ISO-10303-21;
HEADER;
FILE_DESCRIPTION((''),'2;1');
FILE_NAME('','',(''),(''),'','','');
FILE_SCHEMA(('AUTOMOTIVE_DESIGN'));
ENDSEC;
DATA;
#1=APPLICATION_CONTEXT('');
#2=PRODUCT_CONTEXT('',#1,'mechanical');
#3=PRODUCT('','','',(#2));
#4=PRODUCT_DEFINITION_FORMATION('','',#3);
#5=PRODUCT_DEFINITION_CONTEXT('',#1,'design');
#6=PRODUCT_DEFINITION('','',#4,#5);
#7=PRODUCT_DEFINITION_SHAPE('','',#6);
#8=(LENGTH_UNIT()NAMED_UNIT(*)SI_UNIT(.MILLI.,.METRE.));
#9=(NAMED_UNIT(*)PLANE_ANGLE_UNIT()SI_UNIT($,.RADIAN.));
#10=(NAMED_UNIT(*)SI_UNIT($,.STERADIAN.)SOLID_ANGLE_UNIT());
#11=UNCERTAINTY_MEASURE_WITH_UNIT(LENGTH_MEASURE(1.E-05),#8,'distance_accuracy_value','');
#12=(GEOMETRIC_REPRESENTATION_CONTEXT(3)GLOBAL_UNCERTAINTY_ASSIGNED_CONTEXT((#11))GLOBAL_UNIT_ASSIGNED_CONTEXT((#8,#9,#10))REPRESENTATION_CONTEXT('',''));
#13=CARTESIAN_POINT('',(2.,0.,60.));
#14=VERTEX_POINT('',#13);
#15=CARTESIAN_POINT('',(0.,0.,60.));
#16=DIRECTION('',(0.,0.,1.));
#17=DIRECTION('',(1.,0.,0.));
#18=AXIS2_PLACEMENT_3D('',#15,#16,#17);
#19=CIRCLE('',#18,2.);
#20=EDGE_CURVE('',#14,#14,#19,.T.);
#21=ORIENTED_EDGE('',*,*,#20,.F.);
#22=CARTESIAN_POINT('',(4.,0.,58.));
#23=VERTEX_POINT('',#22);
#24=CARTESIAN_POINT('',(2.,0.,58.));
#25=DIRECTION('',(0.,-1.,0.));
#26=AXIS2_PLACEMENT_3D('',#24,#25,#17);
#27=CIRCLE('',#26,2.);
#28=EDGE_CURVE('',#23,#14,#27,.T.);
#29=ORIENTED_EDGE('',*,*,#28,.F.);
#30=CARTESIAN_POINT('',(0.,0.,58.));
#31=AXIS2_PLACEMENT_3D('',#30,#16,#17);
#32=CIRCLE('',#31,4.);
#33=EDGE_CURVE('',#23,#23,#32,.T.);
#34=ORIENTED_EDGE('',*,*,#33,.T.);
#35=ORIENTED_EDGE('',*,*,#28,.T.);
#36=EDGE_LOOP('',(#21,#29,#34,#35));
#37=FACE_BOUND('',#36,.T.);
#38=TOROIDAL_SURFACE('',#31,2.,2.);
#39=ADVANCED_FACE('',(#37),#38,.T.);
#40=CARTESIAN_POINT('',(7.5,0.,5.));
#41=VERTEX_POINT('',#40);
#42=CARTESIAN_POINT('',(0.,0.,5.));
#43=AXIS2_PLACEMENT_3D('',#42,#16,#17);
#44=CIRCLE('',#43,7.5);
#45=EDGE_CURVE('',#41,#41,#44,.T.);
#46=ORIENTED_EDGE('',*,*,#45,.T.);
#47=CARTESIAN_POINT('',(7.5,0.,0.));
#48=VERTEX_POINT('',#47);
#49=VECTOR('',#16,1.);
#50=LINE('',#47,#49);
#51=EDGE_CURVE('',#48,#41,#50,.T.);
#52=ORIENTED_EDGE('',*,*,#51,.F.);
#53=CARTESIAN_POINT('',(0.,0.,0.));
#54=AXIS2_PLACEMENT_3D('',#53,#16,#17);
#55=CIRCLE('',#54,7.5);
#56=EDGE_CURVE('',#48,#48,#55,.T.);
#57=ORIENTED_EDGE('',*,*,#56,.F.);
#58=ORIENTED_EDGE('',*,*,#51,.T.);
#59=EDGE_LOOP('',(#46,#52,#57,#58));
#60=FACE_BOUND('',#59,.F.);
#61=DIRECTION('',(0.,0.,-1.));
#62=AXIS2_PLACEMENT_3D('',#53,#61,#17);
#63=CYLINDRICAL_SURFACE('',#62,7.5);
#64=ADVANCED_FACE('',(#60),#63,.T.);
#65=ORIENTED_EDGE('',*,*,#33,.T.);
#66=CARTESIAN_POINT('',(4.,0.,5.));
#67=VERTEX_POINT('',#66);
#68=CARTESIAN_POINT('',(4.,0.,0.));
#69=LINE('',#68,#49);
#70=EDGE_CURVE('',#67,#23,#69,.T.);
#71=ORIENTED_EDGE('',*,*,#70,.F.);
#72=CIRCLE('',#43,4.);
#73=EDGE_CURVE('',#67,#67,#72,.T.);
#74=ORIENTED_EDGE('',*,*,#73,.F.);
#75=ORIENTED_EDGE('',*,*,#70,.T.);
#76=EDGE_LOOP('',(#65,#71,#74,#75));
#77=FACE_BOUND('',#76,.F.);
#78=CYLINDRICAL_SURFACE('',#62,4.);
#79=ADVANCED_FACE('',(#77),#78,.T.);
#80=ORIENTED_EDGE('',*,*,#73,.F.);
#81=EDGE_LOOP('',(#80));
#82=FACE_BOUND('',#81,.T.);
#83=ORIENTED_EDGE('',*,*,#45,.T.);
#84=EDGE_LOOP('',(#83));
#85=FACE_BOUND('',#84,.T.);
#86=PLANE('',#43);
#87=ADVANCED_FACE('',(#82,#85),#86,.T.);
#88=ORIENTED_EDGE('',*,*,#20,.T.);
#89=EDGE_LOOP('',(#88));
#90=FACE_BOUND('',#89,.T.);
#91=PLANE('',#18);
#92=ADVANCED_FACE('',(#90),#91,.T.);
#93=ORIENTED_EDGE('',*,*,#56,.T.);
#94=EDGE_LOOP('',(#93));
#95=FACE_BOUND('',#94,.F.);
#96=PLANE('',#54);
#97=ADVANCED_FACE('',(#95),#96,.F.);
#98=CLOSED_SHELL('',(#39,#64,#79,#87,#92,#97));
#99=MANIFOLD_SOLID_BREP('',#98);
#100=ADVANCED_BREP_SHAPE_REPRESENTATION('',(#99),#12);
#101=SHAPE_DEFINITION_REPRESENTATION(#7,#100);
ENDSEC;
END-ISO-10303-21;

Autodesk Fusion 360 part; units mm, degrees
sketch "Skizze1" plane through (0, 0, 0) normal (0, 0, 1) x (1, 0, 0)
  circle A0 centre (0, 0) radius 7.5
  circle A1 centre (0, 0) radius 4
  dimension "d1" = 15
  dimension "d2" = 8
extrude "Extrusion1" add sketch "Skizze1" along normal blind 5
extrude "Extrusion2" add sketch "Skizze1" along normal blind 60 contours A1
fillet "Abrundung1" radius 2 1 edges at (-3.7293, -1.4465, 60)
